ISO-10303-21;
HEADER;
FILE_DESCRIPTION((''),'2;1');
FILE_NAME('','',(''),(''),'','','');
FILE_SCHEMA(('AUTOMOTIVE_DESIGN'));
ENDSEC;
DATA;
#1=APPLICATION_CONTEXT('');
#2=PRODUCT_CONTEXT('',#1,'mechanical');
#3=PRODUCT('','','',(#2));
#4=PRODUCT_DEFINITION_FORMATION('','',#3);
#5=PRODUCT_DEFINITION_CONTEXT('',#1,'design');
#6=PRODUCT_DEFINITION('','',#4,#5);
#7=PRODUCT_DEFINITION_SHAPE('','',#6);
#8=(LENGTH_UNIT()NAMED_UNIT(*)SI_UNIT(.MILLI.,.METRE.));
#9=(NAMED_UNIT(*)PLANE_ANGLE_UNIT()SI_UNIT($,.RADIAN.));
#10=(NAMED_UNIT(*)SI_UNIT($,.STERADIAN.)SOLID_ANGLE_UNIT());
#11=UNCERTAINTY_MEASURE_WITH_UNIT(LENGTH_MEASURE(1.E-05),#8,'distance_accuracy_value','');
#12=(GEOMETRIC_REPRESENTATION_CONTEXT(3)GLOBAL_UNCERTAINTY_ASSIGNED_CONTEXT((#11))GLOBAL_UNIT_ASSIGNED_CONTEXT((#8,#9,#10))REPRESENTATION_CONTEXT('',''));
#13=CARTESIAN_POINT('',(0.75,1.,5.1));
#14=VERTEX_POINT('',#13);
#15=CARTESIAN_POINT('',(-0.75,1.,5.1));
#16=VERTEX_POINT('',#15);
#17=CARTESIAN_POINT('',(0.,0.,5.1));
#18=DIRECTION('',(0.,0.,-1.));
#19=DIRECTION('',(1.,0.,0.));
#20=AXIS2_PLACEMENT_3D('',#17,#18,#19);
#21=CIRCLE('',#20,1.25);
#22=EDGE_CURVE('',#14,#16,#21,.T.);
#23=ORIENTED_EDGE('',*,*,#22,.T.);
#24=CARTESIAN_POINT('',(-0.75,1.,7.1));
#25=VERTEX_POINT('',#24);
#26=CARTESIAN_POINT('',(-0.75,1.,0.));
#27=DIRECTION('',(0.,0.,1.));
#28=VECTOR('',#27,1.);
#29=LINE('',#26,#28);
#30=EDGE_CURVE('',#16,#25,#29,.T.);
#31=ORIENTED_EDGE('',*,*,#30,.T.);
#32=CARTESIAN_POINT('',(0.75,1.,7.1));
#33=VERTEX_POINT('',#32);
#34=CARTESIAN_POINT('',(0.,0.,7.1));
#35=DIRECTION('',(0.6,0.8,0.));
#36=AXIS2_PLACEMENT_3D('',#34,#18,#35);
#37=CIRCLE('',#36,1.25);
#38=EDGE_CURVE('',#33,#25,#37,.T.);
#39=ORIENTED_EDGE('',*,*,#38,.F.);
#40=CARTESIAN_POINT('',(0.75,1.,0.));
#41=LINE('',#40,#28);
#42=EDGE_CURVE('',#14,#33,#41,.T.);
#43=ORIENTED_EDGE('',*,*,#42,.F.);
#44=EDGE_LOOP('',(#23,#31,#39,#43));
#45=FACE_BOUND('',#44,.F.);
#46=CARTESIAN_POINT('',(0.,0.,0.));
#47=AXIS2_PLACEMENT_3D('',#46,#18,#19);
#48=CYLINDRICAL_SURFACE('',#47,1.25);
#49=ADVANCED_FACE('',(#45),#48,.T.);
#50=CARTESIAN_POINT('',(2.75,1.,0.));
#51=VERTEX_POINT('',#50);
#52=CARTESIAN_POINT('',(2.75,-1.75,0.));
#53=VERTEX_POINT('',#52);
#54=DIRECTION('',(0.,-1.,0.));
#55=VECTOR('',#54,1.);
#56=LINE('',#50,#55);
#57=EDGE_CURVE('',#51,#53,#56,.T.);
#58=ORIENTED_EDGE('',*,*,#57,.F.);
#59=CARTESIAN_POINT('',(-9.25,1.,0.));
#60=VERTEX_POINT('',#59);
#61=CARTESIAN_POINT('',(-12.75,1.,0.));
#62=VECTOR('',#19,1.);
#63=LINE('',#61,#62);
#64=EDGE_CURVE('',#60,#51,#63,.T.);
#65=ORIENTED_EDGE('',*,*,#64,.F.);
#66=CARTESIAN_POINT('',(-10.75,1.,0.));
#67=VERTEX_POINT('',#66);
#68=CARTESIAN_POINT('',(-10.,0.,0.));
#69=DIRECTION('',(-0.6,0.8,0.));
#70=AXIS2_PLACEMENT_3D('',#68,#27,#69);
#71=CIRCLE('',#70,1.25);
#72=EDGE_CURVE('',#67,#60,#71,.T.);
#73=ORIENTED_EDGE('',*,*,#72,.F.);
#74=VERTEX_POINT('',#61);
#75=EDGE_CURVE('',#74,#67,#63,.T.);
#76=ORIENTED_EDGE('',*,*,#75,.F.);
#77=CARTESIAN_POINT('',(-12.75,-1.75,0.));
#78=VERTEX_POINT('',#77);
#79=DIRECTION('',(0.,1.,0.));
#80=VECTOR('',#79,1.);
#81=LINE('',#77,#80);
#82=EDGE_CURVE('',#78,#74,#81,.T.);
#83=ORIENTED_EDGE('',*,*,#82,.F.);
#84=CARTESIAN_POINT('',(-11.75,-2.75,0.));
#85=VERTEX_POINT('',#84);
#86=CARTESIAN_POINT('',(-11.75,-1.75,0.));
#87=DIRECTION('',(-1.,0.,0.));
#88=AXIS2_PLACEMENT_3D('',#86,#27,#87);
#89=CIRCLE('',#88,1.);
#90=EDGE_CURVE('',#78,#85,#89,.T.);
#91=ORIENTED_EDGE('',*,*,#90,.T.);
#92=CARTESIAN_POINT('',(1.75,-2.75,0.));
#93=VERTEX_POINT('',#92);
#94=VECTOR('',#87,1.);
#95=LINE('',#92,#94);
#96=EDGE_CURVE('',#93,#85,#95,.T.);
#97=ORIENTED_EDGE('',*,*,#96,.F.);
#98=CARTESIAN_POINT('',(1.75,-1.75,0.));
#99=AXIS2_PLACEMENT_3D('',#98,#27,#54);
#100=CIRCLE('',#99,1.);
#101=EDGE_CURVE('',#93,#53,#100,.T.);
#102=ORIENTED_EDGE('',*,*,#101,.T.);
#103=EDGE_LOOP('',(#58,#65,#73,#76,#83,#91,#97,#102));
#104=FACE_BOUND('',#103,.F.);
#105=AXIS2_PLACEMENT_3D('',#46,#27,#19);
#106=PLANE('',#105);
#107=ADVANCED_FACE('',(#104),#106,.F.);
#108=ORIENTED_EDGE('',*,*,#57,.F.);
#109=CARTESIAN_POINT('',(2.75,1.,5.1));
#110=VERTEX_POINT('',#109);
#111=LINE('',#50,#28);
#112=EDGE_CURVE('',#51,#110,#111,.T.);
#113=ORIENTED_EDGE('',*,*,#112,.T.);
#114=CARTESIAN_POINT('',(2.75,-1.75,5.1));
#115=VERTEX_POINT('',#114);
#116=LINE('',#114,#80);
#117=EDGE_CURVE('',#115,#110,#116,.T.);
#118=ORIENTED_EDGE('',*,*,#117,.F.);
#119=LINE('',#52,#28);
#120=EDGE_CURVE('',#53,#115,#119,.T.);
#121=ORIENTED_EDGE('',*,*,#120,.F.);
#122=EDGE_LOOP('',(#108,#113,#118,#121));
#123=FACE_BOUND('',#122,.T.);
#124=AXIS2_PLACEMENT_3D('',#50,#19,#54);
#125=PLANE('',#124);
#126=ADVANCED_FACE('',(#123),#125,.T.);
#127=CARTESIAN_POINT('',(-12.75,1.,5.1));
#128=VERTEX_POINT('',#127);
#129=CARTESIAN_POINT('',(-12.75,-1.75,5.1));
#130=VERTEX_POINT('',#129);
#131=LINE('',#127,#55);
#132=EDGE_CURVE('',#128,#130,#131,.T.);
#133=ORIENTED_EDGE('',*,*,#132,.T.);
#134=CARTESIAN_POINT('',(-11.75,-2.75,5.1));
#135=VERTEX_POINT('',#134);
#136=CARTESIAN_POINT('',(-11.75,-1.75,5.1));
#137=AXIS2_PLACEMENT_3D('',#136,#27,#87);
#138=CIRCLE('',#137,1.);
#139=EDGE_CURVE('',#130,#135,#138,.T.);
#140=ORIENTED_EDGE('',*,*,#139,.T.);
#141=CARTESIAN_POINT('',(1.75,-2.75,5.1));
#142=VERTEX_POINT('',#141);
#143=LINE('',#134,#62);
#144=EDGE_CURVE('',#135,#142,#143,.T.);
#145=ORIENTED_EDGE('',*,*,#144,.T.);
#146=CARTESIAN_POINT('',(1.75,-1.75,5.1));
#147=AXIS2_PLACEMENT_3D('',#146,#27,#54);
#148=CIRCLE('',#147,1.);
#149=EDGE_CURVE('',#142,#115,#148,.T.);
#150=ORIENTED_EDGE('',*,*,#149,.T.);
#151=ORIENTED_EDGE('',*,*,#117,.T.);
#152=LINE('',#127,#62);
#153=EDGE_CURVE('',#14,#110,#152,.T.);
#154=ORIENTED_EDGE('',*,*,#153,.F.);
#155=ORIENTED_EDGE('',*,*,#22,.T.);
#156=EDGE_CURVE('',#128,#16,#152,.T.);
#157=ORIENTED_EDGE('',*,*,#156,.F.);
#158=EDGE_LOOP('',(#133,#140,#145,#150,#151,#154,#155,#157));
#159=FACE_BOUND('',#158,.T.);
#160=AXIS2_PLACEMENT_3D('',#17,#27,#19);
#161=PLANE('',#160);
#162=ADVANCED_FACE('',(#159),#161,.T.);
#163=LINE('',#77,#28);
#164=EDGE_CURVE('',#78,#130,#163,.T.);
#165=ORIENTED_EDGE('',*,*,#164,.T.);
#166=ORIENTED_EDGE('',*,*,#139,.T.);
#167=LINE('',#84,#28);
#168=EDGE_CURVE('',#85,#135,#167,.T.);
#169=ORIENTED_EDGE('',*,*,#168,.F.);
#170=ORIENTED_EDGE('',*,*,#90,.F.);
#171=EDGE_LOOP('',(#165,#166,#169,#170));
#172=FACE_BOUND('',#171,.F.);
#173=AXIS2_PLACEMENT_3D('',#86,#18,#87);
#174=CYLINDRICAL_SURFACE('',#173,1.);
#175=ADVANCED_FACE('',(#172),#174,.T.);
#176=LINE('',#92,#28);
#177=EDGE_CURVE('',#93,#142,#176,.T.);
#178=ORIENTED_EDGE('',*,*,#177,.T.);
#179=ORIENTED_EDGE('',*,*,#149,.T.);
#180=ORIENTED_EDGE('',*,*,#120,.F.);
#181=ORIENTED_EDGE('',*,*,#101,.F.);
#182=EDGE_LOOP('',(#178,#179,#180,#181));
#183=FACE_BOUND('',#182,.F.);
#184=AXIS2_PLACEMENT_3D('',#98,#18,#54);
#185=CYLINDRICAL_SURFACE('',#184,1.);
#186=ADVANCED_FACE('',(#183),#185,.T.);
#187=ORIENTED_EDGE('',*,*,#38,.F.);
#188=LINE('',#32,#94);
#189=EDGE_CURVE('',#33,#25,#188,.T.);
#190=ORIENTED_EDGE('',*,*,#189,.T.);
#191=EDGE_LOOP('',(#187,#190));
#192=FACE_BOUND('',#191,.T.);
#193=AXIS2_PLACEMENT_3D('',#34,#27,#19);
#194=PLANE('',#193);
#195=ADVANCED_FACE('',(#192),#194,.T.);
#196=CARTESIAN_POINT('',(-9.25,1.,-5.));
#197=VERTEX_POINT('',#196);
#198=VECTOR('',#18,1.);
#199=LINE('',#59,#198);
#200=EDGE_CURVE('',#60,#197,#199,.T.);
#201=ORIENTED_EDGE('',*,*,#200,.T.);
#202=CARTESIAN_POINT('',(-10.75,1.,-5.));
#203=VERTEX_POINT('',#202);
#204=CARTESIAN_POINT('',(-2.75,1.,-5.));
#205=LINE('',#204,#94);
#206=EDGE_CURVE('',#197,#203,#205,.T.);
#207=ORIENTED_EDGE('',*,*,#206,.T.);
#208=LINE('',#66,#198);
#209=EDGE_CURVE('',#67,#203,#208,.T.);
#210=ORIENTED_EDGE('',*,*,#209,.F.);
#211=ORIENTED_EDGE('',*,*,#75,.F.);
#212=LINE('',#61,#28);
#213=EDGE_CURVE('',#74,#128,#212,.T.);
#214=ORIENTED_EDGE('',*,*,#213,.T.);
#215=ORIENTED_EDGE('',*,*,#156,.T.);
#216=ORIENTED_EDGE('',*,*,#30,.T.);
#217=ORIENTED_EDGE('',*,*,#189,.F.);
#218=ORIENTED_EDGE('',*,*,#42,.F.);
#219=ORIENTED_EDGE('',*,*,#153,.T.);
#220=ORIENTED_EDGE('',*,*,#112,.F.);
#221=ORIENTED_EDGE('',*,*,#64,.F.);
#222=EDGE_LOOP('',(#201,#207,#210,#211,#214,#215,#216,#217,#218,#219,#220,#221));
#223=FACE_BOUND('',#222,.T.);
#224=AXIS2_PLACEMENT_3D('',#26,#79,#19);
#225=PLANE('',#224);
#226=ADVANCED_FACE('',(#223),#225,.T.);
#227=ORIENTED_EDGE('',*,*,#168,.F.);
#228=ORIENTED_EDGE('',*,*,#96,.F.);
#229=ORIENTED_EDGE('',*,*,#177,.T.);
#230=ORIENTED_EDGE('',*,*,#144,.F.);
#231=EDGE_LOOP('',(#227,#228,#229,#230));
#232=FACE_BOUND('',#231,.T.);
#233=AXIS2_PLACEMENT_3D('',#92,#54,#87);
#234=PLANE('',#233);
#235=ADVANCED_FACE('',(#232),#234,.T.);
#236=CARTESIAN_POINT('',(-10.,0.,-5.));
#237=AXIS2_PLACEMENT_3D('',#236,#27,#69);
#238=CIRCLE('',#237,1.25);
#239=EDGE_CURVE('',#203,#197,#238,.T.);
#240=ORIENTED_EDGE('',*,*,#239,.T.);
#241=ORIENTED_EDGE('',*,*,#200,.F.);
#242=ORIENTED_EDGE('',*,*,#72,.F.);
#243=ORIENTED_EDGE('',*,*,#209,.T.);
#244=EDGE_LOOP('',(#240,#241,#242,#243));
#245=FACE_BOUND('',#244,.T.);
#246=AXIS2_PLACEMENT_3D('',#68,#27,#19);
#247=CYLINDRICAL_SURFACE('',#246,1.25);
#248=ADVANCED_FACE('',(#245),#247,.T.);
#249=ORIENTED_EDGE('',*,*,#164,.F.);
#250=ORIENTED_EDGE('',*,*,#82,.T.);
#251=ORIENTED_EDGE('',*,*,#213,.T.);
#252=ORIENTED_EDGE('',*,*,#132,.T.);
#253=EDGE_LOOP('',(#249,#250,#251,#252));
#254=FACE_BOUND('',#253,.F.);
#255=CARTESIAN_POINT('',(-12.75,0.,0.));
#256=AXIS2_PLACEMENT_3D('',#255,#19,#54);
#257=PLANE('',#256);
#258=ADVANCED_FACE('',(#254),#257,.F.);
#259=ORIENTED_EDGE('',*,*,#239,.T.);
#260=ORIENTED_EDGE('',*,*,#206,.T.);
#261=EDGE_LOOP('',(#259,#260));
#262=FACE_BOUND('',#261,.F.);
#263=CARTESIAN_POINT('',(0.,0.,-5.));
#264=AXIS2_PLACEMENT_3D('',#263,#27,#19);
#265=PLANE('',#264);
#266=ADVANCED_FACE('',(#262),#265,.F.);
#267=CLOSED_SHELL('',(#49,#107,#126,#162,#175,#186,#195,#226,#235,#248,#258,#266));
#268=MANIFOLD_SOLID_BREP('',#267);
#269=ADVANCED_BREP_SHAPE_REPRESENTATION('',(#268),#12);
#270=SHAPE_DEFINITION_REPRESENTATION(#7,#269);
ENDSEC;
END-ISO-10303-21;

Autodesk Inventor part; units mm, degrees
ref_plane "YZ Plane" through (0, 0, 0) normal (1, 0, 0) x (0, 1, 0)
ref_plane "XZ Plane" through (0, 0, 0) normal (0, 1, 0) x (-1, 0, 0)
ref_plane "XY Plane" through (0, 0, 0) normal (0, 0, 1) x (1, 0, 0)
sketch "Sketch1" plane through (0, 0, 0) normal (0, 0, 1) x (1, 0, 0)
  circle A0 centre (0, 0) radius 1.25
  circle A1 centre (0, 0) radius 2.75
  line L0 (-1.75, 2.75) -> (1.75, 2.75)
  line L1 (2.75, 1.75) -> (2.75, -1.75)
  line L2 (1.75, -2.75) -> (-1.75, -2.75)
  line L3 (-2.75, -1.75) -> (-2.75, 1.75)
  arc A2 (-1.75, 2.75) -> (-2.75, 1.75) centre (-1.75, 1.75) ccw
  arc A3 (2.75, 1.75) -> (1.75, 2.75) centre (1.75, 1.75) ccw
  arc A4 (1.75, -2.75) -> (2.75, -1.75) centre (1.75, -1.75) ccw
  arc A5 (-2.75, -1.75) -> (-1.75, -2.75) centre (-1.75, -1.75) ccw
  line L4 (-2.75, 1) -> (2.75, 1)
  line L5 (0, 2.75) -> (-11.75, 2.75)
  line L6 (-12.75, 1.75) -> (-12.75, -1.75)
  line L7 (-11.75, -2.75) -> (0, -2.75)
  line L8 (0, -2.75) -> (0, 2.75)
  circle A6 centre (-10, 0) radius 2.75
  circle A7 centre (-10, 0) radius 1.25
  line L9 (-2.75, 1) -> (-12.75, 1)
  arc A8 (-11.75, 2.75) -> (-12.75, 1.75) centre (-11.75, 1.75) ccw
  arc A9 (-12.75, -1.75) -> (-11.75, -2.75) centre (-11.75, -1.75) ccw
  point P0 (-2.75, 0)
  point P1 (0, -2.75)
  point P2 (0.75, 1)
  point P3 (-0.75, 1)
  point P4 (0, 0)
  point P5 (-9.25, 1)
  point P6 (-10.75, 1)
  dimension "d0" = 2.5
  dimension "d1" = 5.5
  dimension "d2" = 1
  dimension "d3" = 1
  dimension "d4" = 1
  dimension "d11" = 1
  dimension "d12" = 2.5
  dimension "d13" = 10
  dimension "d14" = 1
extrude "Extrusion1" add sketch "Sketch1" along normal blind 7.1 contours A0 L8 L4 | A0 L4 L8 picked at (0.0927, -0.4896) picked at (-0.103, -0.4871)
extrude "Extrusion2" add sketch "Sketch1" along normal blind 5.1 contours A0 L8 L4 | A0 L4 A1 L8 | L8 A1 L4 A0 | A0 L4 L8 | L4 L1 A1 | L2 A5 L3 A1 | A1 L1 A4 L2 | A1 L3 L4 | L3 A5 L7 A6 L9 | L7 A9 L6 A6 | A6 L9 A7 | L6 L9 A6 | A7 L9 picked at (0.0927, -0.4896) picked at (2.2166, -0.2967) picked at (-0.204, -2.227) picked at (-0.103, -0.4871) picked at (-7.773, -0.204) picked at (-10.4044, -0.1231)
extrude "Extrusion3" add sketch "Sketch1" against normal blind 5 contours A7 L9 picked at (-10.4044, -0.1231)
equation "\"d12\" = d0"
properties part number "rpi_base_front_3DPrint"
